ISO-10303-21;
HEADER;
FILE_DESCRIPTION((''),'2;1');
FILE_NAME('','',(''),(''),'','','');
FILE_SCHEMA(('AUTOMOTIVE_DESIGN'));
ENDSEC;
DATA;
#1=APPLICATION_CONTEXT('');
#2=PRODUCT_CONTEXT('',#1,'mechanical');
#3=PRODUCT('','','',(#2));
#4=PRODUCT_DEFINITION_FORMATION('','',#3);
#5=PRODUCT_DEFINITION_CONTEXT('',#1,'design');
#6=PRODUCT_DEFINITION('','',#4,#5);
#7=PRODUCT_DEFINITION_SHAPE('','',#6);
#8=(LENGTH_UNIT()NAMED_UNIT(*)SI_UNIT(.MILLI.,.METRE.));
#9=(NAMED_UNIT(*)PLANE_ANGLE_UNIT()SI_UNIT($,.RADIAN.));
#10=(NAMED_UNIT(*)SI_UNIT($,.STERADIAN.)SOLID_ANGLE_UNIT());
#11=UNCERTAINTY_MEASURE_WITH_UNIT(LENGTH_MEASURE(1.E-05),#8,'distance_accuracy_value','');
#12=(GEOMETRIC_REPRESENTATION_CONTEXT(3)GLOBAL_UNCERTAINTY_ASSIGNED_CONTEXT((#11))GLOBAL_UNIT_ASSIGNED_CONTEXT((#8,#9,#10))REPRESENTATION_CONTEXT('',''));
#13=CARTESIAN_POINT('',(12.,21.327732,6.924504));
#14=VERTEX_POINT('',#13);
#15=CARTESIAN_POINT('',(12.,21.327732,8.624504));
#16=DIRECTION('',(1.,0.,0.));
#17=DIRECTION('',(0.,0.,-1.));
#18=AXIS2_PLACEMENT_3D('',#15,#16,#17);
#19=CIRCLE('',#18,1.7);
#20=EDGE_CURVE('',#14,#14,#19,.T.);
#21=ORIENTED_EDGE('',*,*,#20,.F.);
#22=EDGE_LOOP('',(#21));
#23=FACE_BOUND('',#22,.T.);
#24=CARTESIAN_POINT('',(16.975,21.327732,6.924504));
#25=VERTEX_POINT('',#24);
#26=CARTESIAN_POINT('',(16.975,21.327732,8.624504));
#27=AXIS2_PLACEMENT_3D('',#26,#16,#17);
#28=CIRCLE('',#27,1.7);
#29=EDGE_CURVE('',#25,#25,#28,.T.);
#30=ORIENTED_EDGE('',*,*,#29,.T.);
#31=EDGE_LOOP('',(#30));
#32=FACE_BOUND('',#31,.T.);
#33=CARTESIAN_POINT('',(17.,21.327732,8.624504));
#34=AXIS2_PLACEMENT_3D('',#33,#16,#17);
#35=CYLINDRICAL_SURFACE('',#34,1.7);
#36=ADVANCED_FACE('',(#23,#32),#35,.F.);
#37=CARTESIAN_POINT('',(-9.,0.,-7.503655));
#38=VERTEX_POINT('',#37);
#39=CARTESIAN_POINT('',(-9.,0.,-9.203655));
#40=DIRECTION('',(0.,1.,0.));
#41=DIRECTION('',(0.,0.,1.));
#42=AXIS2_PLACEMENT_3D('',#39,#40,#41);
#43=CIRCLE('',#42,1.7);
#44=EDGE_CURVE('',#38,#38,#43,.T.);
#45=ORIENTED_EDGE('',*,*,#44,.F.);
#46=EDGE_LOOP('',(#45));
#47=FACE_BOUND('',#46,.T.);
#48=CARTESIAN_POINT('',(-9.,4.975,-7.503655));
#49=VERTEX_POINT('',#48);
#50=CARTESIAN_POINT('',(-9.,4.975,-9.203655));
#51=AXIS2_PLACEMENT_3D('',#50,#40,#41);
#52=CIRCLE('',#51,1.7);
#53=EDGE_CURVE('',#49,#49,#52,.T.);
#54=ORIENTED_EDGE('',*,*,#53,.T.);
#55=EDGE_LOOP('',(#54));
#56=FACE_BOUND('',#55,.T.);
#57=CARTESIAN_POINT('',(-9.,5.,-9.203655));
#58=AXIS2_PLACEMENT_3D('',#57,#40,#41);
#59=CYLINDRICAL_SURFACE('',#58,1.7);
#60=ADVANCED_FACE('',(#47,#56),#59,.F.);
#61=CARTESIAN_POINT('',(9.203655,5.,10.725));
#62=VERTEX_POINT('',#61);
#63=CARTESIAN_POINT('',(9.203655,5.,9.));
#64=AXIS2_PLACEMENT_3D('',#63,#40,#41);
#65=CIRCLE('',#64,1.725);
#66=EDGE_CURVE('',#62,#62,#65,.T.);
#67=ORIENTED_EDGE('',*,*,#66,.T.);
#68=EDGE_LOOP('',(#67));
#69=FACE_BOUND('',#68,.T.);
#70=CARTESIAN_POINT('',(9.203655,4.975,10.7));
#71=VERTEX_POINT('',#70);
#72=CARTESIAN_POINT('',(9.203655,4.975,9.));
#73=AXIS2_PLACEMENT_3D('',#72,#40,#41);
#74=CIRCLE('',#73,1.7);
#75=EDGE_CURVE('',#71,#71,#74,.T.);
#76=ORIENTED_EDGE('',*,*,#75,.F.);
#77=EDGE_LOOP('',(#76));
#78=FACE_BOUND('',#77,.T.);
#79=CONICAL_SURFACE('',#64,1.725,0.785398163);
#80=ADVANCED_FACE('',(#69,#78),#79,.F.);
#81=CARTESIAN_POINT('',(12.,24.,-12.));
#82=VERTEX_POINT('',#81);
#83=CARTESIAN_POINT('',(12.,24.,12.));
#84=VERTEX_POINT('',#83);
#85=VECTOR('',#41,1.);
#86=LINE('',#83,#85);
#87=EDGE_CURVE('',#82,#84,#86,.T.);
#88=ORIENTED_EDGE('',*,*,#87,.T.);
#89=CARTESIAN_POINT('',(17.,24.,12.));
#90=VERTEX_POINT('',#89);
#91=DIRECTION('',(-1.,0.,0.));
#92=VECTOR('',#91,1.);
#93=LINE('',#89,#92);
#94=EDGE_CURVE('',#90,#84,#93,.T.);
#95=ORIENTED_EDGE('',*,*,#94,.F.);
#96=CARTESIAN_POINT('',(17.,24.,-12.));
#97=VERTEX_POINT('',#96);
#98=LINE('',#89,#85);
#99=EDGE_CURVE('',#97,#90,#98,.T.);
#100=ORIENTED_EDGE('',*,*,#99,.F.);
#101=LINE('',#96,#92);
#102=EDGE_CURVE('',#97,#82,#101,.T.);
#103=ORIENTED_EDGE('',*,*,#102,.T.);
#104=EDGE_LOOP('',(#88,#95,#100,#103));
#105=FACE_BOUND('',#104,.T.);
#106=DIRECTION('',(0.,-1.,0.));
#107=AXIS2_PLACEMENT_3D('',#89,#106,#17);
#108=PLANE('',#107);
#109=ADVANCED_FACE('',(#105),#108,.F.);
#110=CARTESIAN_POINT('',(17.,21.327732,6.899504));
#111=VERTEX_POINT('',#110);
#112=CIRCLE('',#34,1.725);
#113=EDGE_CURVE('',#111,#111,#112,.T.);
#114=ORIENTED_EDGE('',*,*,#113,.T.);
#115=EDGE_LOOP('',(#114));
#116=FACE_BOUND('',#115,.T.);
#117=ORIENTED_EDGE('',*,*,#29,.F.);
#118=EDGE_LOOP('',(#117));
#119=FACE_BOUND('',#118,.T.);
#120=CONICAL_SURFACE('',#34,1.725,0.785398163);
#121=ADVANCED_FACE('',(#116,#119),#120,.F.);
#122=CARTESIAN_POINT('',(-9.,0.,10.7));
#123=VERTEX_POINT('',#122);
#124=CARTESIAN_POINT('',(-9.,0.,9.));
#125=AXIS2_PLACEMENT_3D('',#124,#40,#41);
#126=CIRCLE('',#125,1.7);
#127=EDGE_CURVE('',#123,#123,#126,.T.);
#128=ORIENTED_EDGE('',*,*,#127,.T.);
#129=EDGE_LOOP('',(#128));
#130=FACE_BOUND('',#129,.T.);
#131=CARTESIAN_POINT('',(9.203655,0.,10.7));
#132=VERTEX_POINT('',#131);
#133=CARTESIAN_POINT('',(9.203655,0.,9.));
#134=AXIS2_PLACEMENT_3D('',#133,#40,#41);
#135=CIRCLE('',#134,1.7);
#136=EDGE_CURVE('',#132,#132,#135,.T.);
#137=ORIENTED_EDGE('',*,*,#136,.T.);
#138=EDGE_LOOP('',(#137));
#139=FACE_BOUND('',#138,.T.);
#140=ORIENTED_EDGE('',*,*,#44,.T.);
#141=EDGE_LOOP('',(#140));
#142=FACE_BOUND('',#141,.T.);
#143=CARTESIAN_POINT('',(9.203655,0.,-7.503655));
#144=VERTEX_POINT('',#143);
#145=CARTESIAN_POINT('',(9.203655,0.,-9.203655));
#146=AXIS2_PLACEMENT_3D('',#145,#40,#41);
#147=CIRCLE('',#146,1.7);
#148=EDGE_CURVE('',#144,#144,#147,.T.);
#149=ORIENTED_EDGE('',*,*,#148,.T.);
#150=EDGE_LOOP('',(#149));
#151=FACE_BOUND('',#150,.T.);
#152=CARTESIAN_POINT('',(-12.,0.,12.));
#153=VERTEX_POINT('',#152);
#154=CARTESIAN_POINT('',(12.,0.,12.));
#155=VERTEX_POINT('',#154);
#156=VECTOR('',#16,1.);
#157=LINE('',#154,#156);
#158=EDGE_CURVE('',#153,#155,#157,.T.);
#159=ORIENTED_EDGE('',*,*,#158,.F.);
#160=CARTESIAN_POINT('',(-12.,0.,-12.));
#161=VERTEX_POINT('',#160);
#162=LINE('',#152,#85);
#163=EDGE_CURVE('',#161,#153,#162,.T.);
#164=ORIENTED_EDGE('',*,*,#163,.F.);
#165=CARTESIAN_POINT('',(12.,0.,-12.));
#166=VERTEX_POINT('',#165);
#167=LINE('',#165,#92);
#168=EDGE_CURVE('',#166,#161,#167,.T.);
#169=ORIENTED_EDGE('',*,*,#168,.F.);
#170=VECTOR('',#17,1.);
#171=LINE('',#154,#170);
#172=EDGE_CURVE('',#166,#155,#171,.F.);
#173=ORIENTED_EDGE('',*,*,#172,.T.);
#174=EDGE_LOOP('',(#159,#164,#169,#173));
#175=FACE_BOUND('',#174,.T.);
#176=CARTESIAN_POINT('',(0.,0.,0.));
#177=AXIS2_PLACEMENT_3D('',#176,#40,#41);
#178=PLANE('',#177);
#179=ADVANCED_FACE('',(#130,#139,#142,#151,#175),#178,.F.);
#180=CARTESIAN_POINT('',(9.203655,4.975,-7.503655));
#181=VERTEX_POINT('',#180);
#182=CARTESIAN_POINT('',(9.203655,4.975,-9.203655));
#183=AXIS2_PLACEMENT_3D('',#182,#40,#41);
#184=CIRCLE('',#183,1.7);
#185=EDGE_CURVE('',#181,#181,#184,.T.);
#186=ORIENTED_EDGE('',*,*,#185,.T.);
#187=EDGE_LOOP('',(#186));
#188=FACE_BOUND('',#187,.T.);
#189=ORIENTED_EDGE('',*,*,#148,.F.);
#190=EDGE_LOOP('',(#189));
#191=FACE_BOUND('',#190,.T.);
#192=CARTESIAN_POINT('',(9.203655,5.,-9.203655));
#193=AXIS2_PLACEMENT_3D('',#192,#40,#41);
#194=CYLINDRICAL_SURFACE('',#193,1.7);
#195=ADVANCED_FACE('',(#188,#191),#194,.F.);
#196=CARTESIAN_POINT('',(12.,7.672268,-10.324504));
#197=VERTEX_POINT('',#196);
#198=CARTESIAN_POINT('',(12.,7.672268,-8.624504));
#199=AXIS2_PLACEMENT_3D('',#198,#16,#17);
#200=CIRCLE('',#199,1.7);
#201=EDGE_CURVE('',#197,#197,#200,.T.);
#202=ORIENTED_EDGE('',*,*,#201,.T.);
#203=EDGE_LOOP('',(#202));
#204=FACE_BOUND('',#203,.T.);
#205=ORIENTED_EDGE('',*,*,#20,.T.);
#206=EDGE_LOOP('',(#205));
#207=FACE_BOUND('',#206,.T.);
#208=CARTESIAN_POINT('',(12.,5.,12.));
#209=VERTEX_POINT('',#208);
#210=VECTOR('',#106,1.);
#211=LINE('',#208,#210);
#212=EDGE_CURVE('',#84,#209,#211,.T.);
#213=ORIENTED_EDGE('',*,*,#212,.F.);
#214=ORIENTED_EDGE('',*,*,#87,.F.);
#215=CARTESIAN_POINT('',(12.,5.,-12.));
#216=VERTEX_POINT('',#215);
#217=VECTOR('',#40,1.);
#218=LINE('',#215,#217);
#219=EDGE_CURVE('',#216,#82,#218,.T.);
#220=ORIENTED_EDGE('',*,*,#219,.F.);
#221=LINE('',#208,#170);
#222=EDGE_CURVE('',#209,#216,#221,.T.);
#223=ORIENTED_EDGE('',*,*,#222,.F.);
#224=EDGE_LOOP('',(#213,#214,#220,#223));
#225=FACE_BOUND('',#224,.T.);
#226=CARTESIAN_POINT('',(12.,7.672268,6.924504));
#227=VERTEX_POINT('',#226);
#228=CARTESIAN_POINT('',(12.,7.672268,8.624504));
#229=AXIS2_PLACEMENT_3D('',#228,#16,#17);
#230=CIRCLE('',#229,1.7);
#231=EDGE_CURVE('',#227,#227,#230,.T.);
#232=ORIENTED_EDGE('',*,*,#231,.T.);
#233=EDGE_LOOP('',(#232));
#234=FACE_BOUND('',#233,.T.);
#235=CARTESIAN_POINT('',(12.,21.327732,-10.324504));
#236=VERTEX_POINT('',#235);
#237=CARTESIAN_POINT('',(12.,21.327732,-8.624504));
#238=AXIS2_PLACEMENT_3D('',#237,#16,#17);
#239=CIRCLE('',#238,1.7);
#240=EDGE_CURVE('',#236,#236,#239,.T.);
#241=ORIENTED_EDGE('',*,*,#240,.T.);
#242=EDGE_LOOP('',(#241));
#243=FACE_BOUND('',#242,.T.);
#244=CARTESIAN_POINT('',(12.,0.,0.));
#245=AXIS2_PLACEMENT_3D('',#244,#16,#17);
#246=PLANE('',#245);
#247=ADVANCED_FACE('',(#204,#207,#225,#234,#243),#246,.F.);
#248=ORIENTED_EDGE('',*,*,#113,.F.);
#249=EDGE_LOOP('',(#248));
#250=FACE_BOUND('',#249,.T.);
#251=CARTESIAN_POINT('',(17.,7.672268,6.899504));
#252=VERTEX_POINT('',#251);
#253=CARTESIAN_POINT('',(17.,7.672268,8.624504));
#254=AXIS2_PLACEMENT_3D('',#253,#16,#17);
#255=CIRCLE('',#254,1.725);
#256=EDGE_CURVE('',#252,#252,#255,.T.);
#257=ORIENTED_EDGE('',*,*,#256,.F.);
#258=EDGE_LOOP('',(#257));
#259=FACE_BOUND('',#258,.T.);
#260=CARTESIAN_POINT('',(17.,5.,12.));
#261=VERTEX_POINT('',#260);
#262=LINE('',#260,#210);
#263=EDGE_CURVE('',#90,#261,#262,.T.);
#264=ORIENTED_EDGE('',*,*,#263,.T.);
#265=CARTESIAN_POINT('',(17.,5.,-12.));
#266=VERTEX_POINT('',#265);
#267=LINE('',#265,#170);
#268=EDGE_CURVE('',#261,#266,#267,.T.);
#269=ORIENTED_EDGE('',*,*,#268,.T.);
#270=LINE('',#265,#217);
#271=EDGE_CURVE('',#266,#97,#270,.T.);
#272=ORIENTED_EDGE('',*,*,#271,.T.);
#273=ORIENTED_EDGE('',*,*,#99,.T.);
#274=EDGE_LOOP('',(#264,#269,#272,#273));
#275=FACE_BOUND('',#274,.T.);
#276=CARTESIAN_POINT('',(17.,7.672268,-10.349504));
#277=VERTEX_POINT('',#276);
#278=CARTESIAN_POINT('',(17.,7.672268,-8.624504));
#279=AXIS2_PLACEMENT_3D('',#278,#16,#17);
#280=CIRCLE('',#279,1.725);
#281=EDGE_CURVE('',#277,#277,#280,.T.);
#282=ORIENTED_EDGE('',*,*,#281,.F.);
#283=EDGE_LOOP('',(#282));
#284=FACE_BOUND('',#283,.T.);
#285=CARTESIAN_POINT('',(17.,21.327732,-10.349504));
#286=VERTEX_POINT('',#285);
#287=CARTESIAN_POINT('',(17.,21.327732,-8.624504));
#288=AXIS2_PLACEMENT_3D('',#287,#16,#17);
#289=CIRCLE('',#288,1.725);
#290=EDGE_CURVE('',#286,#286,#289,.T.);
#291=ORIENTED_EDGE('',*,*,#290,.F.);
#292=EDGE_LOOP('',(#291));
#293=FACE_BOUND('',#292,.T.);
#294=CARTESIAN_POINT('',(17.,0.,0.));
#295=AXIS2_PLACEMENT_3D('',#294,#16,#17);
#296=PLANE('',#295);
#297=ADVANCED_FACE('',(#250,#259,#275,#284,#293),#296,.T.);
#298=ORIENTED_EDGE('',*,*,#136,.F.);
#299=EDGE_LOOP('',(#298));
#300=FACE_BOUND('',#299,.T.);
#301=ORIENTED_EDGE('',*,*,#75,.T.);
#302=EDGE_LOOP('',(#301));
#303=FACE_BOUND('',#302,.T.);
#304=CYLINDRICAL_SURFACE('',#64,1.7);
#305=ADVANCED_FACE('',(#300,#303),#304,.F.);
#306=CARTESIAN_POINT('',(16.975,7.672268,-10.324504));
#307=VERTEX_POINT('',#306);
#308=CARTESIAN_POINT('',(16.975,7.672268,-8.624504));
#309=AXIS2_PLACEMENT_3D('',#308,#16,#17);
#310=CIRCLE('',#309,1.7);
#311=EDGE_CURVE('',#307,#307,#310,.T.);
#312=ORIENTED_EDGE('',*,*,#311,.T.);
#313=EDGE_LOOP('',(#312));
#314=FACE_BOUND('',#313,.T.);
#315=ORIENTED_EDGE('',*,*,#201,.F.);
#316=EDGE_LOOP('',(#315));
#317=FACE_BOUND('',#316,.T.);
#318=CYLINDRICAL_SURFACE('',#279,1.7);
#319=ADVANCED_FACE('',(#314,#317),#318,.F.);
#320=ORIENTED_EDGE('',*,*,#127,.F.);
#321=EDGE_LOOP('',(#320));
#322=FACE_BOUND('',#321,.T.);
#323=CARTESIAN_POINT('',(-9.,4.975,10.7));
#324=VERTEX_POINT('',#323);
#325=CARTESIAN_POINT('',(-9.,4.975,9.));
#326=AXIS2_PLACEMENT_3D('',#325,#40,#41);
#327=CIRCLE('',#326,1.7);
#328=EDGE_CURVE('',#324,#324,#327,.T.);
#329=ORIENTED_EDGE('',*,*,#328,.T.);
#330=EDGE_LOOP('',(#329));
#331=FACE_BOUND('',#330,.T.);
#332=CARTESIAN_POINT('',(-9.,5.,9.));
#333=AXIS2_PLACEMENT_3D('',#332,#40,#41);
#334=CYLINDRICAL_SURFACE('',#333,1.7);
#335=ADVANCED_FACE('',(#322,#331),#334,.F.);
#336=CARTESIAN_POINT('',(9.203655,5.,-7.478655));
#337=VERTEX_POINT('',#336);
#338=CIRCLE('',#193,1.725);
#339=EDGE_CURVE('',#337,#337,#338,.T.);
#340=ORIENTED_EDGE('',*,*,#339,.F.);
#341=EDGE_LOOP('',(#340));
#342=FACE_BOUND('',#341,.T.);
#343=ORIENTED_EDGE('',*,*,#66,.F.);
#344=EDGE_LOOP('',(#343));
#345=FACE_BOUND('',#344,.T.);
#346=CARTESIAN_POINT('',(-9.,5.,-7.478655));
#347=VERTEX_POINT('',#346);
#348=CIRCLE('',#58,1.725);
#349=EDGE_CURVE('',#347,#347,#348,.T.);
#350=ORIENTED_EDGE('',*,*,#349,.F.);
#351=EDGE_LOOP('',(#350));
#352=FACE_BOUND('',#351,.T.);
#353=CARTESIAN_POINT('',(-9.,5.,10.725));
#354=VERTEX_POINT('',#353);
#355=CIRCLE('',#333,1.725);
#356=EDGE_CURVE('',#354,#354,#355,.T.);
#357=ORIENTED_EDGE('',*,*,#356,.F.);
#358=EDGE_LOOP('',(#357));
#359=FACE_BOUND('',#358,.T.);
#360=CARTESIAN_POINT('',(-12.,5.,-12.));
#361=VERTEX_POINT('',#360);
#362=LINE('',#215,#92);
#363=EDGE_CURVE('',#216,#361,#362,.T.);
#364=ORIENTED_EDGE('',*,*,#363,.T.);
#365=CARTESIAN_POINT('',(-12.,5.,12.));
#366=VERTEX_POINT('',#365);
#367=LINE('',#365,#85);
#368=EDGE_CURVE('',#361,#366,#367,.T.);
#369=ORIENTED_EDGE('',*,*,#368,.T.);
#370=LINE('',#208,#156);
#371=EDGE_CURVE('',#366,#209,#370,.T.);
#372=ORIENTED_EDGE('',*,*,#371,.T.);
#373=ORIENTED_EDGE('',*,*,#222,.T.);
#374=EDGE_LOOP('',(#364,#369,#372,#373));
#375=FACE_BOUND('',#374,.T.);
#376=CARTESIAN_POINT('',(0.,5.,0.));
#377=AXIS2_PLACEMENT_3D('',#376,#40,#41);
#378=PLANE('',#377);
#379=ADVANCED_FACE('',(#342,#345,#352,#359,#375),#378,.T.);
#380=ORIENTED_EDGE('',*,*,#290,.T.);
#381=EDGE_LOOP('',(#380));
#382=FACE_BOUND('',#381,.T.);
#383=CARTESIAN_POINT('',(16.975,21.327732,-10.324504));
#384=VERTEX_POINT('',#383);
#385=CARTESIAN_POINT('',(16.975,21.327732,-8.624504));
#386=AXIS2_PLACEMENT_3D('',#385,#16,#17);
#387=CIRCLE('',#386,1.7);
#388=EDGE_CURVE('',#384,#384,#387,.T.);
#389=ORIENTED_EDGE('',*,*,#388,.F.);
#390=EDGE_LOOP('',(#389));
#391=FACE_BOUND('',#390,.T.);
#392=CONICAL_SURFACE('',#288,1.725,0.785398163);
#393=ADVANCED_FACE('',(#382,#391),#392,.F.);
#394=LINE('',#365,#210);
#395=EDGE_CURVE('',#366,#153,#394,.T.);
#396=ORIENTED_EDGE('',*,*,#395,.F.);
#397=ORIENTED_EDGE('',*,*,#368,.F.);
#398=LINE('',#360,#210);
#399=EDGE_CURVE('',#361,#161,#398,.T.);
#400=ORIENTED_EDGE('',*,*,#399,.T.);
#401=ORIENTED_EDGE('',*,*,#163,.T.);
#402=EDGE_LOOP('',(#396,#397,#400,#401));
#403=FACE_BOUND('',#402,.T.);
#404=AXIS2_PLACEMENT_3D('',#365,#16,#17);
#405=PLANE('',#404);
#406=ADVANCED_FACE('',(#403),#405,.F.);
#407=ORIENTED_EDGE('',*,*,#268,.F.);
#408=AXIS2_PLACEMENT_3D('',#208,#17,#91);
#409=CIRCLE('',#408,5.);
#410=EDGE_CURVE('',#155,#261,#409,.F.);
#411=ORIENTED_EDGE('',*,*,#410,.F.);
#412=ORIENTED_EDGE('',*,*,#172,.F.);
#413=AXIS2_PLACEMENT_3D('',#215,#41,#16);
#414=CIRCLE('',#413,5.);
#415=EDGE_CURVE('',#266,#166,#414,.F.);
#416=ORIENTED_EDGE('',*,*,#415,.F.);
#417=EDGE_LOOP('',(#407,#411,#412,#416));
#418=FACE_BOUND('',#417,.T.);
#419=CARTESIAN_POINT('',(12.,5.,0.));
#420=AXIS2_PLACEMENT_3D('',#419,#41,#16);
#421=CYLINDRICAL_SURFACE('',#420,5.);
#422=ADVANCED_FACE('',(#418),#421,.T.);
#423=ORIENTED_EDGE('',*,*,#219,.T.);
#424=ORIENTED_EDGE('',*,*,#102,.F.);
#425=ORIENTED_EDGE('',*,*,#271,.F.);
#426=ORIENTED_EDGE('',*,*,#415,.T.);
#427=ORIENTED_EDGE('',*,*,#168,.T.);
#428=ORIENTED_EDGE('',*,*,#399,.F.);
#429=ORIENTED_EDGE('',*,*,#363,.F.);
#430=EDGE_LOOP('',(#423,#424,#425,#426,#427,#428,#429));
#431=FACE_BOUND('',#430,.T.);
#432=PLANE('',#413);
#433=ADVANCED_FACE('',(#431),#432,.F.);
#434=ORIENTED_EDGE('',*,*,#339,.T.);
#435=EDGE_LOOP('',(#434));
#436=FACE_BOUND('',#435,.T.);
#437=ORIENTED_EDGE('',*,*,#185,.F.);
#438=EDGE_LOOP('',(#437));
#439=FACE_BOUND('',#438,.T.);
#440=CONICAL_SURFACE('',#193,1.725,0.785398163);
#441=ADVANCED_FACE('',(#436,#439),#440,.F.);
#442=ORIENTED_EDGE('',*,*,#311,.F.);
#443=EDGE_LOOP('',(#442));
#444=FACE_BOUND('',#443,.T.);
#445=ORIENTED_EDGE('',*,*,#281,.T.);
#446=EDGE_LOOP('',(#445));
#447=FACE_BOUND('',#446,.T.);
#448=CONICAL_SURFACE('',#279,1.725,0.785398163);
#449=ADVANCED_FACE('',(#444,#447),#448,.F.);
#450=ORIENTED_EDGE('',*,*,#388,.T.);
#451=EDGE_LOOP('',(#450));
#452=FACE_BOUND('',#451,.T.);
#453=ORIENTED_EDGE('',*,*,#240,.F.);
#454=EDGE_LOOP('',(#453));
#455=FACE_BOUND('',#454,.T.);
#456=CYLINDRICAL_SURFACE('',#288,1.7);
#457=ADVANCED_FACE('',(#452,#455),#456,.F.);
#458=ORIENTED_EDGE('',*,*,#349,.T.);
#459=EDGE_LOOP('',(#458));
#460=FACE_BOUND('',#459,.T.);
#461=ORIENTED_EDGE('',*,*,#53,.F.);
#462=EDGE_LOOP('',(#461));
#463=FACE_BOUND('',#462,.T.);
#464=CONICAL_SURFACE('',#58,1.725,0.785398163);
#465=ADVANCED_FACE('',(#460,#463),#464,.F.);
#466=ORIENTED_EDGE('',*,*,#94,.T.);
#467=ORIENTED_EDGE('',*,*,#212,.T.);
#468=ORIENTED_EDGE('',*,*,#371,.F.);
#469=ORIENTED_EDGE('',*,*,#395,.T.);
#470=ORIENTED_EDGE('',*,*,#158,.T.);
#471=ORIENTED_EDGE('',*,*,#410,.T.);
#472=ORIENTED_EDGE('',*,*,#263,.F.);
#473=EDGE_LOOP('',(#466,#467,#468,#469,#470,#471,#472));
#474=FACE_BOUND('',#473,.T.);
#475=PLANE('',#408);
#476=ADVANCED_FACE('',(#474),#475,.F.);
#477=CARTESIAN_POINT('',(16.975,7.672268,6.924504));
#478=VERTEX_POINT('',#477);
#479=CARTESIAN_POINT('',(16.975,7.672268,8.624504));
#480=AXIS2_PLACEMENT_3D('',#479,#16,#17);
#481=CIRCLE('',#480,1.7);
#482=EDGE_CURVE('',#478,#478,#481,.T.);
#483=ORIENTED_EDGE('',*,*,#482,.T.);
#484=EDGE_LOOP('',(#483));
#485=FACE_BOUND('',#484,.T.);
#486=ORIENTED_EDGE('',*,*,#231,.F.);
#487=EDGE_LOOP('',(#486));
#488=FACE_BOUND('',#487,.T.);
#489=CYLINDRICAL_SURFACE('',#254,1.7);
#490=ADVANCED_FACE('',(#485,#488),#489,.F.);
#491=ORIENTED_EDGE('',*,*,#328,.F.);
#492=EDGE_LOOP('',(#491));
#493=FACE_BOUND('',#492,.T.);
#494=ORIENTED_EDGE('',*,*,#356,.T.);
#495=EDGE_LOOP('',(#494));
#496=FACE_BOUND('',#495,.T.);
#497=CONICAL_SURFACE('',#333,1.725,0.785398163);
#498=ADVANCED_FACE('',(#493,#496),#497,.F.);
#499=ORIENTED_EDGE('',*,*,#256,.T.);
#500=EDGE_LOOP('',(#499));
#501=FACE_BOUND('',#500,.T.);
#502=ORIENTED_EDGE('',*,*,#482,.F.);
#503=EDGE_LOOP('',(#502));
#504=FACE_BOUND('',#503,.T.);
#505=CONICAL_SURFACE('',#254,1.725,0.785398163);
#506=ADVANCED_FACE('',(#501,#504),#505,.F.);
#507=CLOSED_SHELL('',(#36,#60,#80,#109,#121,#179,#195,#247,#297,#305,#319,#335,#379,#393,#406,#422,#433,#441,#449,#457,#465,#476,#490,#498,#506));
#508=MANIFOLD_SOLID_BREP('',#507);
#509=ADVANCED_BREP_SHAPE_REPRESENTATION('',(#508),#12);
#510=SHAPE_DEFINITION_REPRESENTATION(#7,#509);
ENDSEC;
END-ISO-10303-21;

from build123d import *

# Parameters (mm, degrees)
SKETCH1_W                      = 24
SKETCH1_H                      = 24
BOSS_EXTRUDE1_DEPTH            = 5
BOSS_EXTRUDE2_START            = 12
SKETCH2_W                      = 24
SKETCH2_H                      = 24
BOSS_EXTRUDE2_DEPTH            = 5
FILLET3_R                      = 5
M3_CLEARANCE_HOLE1_D           = 3.4
M3_CLEARANCE_HOLE1_CSINK_D     = 3.45
M3_CLEARANCE_HOLE1_CSINK_ANGLE = 90
M3_CLEARANCE_HOLE2_D           = 3.4
M3_CLEARANCE_HOLE2_CSINK_D     = 3.45
M3_CLEARANCE_HOLE2_CSINK_ANGLE = 90


with BuildPart() as part:
    # Sketch1 → Boss-Extrude1 (new body)
    with BuildSketch(Plane(origin=(0, 0, 0), x_dir=(1, 0, 0), z_dir=(0, 1, 0))):
        Rectangle(SKETCH1_W, SKETCH1_H)
    extrude(amount=BOSS_EXTRUDE1_DEPTH)

    # Sketch2 → Boss-Extrude2 (add)
    with BuildSketch(Plane(origin=(0, 0, 0), x_dir=(0, 0, -1), z_dir=(1, 0, 0)).offset(BOSS_EXTRUDE2_START)):
        with Locations((0, 12)):
            Rectangle(SKETCH2_W, SKETCH2_H)
    extrude(amount=BOSS_EXTRUDE2_DEPTH)

    # Fillet3
    fillet3_edges = [part.edges().sort_by_distance(p)[0] for p in [
        (17, 0, 0),
    ]]
    fillet(fillet3_edges, radius=FILLET3_R)

    # M3 Clearance Hole1 (through all)
    with Locations(Plane(origin=(17, 0, 0), x_dir=(0, 0, -1), z_dir=(1, 0, 0))):
        with Locations((-8.624504069, 21.327732388), (8.624504069, 21.327732388), (8.624504069, 7.672267612), (-8.624504069, 7.672267612)):
            CounterSinkHole(M3_CLEARANCE_HOLE1_D / 2, M3_CLEARANCE_HOLE1_CSINK_D / 2, counter_sink_angle=M3_CLEARANCE_HOLE1_CSINK_ANGLE)

    # M3 Clearance Hole2 (through all)
    with Locations(Plane(origin=(0, 5, 0), x_dir=(1, 0, 0), z_dir=(0, 1, 0))):
        with Locations((-9, -9), (-9, 9.203654699), (9.203654699, 9.203654699), (9.203654699, -9)):
            CounterSinkHole(M3_CLEARANCE_HOLE2_D / 2, M3_CLEARANCE_HOLE2_CSINK_D / 2, counter_sink_angle=M3_CLEARANCE_HOLE2_CSINK_ANGLE)


solid = part.part
